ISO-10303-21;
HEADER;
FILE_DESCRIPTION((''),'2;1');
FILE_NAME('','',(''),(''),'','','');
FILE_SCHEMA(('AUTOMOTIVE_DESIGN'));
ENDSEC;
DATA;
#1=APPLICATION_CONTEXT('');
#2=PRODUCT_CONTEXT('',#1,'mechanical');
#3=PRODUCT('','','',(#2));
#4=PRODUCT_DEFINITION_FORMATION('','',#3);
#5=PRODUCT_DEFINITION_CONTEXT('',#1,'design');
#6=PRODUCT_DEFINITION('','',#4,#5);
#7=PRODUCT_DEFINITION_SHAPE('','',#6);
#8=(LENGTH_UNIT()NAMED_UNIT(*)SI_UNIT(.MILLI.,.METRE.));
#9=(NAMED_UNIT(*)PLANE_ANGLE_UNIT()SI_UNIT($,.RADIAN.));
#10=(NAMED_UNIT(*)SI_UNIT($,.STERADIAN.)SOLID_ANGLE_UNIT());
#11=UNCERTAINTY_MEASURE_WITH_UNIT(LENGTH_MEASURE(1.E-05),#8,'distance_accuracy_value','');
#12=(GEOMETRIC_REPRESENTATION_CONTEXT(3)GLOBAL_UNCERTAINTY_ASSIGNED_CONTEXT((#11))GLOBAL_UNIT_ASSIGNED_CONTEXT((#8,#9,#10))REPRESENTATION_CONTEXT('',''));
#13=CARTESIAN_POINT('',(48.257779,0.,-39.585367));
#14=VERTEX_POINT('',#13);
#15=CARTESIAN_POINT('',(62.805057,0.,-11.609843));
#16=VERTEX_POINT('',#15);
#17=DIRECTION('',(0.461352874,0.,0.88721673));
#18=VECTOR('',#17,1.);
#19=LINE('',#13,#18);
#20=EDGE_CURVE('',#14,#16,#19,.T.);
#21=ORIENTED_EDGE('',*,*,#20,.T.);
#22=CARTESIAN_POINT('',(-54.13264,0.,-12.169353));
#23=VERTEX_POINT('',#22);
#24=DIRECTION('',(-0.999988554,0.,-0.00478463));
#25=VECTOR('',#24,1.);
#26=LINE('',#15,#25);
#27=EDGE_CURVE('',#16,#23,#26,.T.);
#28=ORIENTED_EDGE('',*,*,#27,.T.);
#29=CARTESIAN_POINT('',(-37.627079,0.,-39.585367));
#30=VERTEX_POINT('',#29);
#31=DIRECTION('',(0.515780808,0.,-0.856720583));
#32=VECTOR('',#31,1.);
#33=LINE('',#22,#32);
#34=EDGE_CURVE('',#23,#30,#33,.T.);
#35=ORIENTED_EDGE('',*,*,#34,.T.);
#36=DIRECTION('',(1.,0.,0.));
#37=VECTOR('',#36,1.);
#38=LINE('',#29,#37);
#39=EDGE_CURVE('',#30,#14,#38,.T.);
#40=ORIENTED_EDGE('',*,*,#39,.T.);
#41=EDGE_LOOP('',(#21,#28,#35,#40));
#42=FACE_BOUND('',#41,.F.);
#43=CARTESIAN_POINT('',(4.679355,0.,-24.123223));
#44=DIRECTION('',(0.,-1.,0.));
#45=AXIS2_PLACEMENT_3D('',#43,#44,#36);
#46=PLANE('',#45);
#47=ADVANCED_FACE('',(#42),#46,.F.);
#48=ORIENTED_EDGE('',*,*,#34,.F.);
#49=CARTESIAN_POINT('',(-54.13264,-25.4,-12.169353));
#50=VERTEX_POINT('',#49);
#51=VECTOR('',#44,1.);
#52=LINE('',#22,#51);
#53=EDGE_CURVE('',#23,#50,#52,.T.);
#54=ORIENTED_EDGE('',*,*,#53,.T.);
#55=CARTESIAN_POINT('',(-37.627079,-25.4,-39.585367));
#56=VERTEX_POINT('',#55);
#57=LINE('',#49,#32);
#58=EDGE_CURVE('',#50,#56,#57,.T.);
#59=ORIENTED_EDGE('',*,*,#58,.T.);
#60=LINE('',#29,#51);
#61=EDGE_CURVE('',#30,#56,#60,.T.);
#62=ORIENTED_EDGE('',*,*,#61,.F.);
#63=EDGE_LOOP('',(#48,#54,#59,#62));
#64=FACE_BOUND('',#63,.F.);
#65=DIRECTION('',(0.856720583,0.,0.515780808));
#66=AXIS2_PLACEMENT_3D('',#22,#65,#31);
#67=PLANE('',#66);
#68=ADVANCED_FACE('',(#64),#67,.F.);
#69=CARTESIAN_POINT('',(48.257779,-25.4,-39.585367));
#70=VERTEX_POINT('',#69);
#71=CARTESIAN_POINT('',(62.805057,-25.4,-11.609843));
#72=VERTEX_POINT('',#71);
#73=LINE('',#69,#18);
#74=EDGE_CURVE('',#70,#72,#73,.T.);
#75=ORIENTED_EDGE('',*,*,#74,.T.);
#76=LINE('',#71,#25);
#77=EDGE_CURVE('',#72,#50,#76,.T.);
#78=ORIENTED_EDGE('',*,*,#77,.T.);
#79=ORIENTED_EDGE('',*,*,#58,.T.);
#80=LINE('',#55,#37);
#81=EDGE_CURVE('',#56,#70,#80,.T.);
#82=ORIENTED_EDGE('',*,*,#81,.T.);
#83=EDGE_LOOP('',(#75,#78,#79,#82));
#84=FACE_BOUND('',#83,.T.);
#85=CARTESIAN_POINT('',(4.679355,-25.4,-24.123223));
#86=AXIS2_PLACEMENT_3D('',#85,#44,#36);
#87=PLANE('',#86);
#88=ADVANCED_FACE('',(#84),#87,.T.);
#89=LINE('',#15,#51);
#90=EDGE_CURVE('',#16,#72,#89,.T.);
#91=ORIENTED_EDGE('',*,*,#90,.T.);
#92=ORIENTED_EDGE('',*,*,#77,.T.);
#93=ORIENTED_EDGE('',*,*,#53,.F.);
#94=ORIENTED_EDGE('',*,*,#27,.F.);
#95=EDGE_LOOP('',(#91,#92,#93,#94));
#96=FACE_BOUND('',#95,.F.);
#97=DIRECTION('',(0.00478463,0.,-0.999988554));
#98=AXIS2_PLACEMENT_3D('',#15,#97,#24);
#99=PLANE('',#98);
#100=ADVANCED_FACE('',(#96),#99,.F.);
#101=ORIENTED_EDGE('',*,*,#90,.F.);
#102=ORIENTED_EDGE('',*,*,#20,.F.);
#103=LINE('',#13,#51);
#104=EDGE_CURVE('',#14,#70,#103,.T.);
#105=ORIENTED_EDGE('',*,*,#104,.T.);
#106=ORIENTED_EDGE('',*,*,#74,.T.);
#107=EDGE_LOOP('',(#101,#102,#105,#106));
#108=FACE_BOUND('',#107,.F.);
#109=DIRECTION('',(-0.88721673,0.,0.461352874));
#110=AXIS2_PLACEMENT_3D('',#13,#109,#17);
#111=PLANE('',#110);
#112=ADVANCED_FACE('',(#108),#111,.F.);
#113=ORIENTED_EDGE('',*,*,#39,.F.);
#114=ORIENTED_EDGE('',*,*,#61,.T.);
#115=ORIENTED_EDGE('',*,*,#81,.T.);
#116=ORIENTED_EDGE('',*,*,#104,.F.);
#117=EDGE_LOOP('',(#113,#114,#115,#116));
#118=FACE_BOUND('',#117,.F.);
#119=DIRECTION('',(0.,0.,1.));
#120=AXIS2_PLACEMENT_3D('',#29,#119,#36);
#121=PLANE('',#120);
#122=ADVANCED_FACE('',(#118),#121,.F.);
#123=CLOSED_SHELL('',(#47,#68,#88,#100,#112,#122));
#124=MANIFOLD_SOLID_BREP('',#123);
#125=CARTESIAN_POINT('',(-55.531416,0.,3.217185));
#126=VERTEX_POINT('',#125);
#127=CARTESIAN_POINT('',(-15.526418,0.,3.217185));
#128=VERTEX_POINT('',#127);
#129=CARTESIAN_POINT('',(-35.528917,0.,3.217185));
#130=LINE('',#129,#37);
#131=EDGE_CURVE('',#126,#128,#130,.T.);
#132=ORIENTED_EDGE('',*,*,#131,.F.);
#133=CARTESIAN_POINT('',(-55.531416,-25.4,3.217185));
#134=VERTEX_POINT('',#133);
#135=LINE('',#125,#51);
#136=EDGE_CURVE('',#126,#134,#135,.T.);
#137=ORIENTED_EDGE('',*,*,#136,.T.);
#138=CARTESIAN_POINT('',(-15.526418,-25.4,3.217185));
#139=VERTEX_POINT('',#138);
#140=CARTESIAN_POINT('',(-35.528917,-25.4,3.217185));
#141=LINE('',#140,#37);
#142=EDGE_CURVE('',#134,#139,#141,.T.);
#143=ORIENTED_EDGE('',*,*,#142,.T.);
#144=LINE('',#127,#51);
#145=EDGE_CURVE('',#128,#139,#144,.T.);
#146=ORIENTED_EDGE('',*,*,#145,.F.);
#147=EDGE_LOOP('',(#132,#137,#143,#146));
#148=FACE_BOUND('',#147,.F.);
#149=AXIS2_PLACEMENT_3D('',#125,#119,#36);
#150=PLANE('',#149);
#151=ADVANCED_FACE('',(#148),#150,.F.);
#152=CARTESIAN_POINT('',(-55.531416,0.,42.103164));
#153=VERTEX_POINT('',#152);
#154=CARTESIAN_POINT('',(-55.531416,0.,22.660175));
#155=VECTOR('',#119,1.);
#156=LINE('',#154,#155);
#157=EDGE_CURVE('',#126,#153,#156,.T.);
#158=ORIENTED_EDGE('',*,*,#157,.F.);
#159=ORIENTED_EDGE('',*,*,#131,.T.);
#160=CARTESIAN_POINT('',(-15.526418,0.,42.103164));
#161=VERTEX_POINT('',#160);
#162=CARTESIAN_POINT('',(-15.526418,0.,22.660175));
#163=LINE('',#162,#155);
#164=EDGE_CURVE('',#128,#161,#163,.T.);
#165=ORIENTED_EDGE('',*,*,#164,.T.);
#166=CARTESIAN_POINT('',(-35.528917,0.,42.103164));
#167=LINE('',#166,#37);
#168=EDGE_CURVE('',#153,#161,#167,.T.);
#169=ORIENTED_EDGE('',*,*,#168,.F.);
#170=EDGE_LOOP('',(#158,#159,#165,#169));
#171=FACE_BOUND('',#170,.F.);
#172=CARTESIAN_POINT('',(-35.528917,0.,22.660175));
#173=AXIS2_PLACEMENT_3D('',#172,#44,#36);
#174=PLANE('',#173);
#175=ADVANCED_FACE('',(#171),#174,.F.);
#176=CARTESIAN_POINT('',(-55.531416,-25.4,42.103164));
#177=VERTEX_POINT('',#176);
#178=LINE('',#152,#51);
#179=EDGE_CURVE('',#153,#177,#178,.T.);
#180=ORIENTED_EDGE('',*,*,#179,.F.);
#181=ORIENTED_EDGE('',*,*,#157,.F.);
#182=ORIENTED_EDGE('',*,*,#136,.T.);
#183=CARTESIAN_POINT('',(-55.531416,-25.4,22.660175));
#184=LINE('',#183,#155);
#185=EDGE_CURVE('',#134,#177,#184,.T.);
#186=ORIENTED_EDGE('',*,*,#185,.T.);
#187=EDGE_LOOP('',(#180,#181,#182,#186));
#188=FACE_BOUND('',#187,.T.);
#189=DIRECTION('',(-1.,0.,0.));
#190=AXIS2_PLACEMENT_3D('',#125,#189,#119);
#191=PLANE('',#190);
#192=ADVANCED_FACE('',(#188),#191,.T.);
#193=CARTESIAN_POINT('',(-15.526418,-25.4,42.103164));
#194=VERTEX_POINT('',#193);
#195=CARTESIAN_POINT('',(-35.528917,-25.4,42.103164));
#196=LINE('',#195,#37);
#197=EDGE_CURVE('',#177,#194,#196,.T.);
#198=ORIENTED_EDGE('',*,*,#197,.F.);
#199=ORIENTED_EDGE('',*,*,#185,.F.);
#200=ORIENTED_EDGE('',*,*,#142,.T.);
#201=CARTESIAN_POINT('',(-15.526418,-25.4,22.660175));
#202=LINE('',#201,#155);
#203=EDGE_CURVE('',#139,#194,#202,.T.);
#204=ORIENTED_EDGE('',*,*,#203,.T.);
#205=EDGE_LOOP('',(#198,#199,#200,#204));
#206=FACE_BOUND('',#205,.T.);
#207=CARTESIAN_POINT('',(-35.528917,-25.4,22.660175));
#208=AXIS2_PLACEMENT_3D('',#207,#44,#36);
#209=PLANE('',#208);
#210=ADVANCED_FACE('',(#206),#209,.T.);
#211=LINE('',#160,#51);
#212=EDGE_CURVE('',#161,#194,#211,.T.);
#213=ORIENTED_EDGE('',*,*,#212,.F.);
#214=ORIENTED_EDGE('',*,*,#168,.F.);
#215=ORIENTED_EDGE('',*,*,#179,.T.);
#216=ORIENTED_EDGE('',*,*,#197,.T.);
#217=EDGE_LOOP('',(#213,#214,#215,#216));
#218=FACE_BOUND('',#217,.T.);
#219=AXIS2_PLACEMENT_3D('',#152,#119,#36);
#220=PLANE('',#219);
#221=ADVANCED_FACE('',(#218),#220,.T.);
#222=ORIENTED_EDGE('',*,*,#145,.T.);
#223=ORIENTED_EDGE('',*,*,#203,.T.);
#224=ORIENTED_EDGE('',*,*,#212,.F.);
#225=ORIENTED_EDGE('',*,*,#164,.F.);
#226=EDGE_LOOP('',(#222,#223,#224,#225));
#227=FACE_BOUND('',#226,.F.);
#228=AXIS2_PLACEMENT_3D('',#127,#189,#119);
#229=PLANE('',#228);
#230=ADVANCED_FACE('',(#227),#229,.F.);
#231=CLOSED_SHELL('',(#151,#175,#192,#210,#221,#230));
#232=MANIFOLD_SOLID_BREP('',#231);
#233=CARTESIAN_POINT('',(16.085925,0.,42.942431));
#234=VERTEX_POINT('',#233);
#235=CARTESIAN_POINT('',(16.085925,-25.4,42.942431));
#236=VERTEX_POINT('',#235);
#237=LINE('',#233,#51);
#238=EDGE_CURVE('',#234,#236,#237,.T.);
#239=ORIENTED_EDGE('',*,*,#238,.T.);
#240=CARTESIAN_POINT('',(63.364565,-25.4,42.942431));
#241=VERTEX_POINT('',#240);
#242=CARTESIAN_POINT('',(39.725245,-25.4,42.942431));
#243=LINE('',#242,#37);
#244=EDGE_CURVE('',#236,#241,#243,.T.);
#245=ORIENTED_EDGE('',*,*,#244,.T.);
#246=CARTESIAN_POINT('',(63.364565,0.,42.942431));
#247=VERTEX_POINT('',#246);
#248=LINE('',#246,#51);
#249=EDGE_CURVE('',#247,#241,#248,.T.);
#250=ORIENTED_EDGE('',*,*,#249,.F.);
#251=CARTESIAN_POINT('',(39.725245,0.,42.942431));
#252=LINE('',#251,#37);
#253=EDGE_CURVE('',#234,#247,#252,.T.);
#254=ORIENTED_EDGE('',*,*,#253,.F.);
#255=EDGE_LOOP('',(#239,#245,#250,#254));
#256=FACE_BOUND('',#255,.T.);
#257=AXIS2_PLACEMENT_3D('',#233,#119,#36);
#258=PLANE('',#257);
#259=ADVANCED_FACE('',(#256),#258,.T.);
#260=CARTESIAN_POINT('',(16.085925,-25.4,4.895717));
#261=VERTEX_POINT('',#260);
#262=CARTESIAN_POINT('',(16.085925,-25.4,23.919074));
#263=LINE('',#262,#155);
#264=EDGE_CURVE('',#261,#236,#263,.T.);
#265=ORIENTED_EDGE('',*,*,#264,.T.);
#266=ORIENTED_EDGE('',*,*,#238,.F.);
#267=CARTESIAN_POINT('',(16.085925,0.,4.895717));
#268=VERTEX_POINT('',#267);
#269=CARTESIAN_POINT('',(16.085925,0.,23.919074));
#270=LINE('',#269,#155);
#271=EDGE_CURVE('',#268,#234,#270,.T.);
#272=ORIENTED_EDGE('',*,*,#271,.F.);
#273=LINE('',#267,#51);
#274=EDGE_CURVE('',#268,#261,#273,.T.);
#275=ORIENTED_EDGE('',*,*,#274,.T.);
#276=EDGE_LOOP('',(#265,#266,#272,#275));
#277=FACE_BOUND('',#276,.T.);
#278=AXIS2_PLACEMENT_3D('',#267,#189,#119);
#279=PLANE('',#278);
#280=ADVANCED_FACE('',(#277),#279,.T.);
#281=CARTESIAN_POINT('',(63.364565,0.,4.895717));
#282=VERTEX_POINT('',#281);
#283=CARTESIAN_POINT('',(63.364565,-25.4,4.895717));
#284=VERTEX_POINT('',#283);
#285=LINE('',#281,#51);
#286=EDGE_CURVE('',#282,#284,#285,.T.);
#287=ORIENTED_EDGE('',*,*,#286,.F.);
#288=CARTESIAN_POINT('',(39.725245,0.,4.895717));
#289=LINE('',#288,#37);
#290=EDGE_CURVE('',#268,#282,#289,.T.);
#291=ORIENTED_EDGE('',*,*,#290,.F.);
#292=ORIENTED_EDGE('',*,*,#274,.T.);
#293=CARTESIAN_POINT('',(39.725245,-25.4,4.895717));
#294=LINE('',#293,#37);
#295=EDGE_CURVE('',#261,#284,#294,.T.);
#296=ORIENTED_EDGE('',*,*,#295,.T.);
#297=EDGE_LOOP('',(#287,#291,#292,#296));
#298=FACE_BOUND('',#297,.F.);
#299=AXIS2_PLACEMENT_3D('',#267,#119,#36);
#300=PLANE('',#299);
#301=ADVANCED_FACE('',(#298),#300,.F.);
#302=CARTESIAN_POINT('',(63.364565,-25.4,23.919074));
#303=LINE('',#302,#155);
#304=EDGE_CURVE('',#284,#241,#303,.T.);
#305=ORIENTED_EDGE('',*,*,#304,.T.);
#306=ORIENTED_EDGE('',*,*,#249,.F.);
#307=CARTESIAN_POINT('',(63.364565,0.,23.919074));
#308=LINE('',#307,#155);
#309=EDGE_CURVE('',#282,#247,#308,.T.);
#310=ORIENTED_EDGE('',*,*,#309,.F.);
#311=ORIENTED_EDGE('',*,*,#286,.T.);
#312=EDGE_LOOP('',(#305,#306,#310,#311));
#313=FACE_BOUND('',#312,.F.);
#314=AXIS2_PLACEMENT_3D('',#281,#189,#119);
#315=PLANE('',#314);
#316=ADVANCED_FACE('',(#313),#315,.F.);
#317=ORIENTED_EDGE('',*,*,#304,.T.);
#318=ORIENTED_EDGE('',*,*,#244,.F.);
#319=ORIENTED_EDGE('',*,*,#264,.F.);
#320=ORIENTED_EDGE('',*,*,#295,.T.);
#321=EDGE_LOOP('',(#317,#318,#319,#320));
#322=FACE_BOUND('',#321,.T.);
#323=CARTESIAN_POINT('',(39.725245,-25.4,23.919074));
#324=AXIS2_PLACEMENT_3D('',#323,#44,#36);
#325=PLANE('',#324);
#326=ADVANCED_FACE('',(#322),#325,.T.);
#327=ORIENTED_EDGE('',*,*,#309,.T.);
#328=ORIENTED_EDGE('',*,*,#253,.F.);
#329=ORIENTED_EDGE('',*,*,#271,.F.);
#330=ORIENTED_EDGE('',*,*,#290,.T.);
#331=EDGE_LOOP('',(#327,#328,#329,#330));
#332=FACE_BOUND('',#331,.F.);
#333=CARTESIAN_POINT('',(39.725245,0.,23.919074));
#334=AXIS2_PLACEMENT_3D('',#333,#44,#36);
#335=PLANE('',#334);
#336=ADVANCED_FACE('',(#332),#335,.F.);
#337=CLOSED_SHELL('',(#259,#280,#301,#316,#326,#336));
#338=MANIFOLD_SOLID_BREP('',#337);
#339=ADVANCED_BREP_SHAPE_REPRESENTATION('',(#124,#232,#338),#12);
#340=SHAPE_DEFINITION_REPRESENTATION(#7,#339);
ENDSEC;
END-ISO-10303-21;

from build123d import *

# Parameters (mm, degrees)
F0_W     = 40.004999
F0_H     = 38.885979
F1_DEPTH = 25.4
F2_W     = 47.278639
F2_H     = 38.046714
F3_DEPTH = 25.4
F5_DEPTH = 25.4


with BuildPart() as f1:
    # F0 (on Front) → F1 (new body)
    with BuildSketch(Plane.XZ):
        with Locations((-35.528917, 22.660175)):
            Rectangle(F0_W, F0_H)
    extrude(amount=F1_DEPTH)


with BuildPart() as f3:
    # F2 (on Front) → F3 (new body)
    with BuildSketch(Plane.XZ):
        with Locations((39.725245, 23.919074)):
            Rectangle(F2_W, F2_H)
    extrude(amount=F3_DEPTH)


with BuildPart() as f5:
    # F4 (on Front) → F5 (new body)
    with BuildSketch(Plane.XZ):
        Polygon((62.805057, -11.609843), (-54.13264, -12.169353), (-37.627079, -39.585367), (-7.133757, -39.585367), (37.627082, -39.585367), (48.257779, -39.585367), align=None)
    extrude(amount=F5_DEPTH)


solid = Compound([f1.part, f3.part, f5.part])
